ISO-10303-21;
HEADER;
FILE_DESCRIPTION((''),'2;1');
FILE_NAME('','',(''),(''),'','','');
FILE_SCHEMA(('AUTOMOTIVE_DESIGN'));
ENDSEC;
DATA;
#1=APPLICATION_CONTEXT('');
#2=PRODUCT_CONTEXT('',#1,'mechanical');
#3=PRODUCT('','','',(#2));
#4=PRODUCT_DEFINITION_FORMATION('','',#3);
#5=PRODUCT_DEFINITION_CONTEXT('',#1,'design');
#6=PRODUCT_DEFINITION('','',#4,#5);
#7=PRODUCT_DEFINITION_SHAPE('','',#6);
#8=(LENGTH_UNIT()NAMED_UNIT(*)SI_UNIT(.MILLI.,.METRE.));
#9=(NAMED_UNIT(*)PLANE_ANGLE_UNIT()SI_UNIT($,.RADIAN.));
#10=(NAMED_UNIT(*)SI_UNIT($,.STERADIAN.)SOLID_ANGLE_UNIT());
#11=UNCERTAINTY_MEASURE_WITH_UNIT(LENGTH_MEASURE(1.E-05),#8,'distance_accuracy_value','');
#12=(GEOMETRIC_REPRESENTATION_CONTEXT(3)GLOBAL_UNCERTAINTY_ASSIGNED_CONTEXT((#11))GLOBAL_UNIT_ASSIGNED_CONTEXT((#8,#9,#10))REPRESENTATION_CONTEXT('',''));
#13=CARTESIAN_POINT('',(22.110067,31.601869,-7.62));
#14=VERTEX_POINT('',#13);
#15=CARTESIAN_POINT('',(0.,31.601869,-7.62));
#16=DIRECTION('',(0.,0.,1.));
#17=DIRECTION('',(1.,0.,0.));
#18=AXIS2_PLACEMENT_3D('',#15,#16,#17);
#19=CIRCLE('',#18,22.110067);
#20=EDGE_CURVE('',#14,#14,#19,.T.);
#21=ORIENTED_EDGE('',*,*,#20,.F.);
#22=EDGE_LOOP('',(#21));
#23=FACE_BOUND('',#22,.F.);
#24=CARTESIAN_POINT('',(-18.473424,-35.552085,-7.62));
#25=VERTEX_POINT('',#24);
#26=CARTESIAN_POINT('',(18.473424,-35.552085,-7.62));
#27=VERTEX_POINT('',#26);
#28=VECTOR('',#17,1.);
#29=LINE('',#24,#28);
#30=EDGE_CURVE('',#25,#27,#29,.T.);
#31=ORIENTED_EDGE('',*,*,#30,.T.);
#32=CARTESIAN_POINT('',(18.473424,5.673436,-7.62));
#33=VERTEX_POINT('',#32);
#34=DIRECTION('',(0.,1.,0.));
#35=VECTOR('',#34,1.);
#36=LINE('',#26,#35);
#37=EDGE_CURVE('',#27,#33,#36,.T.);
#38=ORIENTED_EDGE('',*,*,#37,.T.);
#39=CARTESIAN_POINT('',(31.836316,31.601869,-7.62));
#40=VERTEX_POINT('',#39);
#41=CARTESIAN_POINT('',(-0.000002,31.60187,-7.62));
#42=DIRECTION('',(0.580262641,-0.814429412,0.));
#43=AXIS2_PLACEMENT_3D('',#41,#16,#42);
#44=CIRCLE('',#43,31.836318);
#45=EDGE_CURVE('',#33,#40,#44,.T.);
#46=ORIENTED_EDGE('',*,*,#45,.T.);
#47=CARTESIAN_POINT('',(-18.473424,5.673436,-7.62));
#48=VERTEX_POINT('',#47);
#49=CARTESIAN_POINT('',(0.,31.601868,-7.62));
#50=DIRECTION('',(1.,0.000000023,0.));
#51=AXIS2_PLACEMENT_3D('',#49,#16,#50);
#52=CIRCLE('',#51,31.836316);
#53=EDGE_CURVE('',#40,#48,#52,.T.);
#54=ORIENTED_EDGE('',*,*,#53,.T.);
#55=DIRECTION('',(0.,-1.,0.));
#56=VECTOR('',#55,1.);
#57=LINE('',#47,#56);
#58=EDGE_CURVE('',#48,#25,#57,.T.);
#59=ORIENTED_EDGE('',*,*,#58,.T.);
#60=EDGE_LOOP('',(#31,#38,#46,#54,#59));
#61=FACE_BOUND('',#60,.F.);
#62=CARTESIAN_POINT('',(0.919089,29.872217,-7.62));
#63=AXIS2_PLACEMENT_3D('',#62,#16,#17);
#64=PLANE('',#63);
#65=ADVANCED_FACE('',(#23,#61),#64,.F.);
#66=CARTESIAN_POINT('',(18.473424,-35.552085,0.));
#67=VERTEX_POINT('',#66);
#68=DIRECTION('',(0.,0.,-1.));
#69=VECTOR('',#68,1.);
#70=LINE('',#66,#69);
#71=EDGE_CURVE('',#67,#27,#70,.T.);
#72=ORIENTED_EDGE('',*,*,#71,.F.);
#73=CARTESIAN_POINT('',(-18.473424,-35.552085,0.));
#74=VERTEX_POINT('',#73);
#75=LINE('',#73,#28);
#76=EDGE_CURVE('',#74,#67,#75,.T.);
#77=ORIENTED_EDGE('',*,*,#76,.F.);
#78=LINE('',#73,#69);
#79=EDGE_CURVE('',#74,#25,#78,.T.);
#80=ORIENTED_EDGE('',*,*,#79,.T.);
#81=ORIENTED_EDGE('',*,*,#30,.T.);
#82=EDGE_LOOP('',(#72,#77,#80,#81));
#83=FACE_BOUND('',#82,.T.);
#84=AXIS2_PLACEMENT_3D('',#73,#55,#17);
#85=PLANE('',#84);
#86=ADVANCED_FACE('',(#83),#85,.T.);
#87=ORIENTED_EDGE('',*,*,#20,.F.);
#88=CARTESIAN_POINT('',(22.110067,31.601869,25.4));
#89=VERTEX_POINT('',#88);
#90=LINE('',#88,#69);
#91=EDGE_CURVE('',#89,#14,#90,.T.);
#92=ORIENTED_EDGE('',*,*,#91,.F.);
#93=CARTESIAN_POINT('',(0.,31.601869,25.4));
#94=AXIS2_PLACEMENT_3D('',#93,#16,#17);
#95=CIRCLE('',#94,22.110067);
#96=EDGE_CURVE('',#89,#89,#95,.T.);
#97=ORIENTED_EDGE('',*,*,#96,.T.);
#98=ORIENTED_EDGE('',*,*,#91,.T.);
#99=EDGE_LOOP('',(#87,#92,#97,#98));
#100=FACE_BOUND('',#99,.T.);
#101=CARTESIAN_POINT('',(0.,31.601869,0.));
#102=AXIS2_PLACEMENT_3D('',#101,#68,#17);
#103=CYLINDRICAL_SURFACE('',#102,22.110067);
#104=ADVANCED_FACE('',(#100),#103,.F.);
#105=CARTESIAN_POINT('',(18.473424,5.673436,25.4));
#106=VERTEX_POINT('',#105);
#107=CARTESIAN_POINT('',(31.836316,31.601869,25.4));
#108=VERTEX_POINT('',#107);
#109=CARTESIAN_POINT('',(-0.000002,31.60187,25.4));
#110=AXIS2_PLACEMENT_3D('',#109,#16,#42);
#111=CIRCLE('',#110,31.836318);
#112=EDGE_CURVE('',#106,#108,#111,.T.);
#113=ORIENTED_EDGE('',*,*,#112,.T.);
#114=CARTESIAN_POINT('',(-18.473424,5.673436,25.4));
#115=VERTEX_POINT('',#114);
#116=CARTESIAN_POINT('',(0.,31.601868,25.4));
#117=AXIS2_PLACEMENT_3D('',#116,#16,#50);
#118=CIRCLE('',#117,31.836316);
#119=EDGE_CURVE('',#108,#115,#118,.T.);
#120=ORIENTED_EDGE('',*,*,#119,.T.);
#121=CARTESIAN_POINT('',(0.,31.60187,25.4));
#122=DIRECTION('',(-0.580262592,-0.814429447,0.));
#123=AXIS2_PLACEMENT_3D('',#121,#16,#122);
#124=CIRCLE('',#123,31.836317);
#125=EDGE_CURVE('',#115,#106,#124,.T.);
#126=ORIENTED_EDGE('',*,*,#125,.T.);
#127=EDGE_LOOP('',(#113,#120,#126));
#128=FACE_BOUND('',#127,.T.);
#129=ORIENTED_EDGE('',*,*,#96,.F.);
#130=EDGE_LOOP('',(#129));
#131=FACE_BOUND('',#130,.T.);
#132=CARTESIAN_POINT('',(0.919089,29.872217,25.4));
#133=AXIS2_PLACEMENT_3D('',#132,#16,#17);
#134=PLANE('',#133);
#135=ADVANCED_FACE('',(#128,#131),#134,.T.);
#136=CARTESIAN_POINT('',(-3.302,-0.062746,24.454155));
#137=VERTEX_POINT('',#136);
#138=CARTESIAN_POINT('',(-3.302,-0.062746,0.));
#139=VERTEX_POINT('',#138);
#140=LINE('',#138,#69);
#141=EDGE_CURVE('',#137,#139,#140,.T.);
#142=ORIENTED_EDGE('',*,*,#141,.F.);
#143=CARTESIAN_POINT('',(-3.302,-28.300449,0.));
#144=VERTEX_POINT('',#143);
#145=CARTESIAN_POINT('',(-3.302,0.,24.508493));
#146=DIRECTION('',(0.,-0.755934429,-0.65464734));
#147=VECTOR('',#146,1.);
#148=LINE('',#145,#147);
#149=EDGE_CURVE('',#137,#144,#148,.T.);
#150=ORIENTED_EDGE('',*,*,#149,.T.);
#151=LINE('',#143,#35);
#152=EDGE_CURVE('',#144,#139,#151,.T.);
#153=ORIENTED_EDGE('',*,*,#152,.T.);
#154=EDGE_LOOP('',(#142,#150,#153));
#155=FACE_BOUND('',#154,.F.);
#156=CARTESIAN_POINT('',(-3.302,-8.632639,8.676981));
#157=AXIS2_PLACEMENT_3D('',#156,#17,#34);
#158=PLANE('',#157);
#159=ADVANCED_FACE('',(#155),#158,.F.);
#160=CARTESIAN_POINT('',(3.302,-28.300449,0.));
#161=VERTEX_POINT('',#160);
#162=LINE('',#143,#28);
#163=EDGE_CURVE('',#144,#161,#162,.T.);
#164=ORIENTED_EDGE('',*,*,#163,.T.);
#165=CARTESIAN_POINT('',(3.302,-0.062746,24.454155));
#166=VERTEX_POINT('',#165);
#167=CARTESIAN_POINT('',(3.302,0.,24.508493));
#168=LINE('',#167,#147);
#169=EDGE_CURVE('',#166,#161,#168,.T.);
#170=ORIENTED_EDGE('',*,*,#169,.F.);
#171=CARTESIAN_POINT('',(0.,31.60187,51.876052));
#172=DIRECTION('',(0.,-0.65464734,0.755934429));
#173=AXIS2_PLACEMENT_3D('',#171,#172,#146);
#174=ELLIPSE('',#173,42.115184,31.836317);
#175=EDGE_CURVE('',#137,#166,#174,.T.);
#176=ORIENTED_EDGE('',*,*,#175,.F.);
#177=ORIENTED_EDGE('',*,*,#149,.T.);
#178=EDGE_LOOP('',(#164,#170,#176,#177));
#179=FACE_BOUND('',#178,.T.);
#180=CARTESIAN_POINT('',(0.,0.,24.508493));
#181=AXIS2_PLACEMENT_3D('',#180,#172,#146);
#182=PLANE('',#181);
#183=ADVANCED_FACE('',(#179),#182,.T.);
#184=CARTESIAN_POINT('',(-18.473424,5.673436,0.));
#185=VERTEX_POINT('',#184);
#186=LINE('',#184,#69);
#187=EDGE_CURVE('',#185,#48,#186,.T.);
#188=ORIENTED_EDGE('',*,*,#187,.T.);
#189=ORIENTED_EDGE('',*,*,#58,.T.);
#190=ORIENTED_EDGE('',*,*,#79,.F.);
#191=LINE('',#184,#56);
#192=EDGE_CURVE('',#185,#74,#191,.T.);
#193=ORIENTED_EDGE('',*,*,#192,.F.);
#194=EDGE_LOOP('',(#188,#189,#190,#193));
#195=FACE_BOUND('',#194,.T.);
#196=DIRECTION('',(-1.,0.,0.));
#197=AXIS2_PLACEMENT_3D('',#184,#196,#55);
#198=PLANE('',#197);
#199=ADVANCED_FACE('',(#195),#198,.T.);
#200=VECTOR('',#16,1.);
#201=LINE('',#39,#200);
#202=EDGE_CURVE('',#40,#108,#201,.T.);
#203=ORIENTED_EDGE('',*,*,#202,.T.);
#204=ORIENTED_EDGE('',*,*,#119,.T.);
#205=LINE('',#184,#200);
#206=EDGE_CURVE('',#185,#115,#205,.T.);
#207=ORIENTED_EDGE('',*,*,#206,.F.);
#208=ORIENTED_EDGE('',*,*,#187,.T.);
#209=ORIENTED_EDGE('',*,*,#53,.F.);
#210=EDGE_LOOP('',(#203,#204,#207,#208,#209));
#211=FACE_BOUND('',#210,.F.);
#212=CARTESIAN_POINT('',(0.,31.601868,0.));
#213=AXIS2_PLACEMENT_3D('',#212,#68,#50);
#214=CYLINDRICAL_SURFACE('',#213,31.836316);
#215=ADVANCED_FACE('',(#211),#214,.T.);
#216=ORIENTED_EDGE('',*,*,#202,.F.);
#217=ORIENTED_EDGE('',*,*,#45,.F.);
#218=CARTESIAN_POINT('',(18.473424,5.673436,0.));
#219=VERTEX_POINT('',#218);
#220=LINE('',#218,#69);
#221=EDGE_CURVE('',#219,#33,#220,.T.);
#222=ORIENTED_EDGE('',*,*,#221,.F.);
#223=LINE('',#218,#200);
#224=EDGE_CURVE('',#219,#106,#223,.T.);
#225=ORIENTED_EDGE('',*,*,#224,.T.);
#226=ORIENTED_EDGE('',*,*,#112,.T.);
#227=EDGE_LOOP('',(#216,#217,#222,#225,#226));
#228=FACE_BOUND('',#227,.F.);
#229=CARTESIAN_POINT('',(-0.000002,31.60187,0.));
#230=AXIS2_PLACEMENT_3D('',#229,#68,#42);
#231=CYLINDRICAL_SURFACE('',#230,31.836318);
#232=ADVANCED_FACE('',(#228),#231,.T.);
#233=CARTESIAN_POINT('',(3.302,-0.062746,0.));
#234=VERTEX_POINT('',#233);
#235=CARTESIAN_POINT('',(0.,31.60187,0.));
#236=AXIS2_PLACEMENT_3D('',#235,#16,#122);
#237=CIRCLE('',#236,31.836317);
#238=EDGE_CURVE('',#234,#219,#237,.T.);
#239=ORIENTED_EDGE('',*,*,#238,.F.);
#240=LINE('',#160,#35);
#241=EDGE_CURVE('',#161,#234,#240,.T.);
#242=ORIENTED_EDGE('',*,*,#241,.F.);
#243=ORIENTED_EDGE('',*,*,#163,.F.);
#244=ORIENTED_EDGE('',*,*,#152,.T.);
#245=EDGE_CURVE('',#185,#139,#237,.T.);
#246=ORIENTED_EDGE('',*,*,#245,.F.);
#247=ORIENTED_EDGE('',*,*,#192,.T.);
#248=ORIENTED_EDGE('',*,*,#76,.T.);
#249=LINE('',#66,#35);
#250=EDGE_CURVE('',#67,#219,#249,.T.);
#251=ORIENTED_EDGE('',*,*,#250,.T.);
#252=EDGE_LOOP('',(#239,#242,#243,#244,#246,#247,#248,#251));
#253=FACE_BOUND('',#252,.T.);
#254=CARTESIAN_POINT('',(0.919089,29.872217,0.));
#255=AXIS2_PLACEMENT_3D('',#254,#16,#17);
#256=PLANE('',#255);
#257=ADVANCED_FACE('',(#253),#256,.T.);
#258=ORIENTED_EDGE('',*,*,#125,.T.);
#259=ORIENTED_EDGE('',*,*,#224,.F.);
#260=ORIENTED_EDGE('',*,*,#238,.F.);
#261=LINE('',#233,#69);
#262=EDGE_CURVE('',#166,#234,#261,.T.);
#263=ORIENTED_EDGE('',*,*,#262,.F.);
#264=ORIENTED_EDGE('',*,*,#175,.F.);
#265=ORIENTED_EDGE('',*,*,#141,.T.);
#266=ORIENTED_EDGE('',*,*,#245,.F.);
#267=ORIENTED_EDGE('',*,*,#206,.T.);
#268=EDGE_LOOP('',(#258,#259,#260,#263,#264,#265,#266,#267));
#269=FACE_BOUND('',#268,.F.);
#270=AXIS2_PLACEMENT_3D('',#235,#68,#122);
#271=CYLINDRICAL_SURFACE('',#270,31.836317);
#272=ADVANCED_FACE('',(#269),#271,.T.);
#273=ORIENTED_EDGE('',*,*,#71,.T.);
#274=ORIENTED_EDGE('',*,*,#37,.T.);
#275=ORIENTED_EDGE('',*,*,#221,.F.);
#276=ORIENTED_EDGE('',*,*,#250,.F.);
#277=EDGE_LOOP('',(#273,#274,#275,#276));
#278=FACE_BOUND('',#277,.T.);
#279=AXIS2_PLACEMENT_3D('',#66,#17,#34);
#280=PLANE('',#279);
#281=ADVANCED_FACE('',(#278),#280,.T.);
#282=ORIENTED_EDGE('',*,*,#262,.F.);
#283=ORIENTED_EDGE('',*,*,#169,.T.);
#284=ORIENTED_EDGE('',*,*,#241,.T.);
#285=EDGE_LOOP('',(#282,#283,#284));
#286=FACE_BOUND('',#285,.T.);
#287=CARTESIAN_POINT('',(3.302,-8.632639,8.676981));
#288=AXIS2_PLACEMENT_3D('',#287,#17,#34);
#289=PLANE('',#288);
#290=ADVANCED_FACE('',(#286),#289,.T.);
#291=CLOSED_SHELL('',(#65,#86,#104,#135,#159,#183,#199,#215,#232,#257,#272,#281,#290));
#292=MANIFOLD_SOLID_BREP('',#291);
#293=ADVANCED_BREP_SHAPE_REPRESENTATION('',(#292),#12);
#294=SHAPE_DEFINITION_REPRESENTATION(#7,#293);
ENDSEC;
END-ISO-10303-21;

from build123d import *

# Parameters (mm, degrees)
F0_R     = 22.110067
F1_DEPTH = 7.62
F2_DEPTH = 25.4
F4_DEPTH = 3.302


with BuildPart() as f1:
    # F0 (on Top) → F1 (new body)
    with BuildSketch(Plane.XY):
        with BuildLine():
            ThreePointArc((18.473424, 5.673436), (28.299088, 17.017198), (31.836316, 31.601869))
            ThreePointArc((31.836316, 31.601869), (-14.584671, 59.900956), (-18.473424, 5.673436))
            ThreePointArc((-18.473424, 5.673436), (0, -0.234447), (18.473424, 5.673436))
        make_face()
        with Locations((0, 31.601869)):
            Circle(F0_R, mode=Mode.SUBTRACT)
        with BuildLine():
            ThreePointArc((18.473424, 5.673436), (0, -0.234447), (-18.473424, 5.673436))
            Line((-18.473424, 5.673436), (-18.473424, -35.552085))
            Line((-18.473424, -35.552085), (0, -35.552085))
            Line((0, -35.552085), (18.473424, -35.552085))
            Line((18.473424, -35.552085), (18.473424, 5.673436))
        make_face()
    extrude(amount=-F1_DEPTH)

    # F0 (on Top) → F2 (join)
    with BuildSketch(Plane.XY):
        with BuildLine():
            ThreePointArc((18.473424, 5.673436), (28.299088, 17.017198), (31.836316, 31.601869))
            ThreePointArc((31.836316, 31.601869), (-14.584671, 59.900956), (-18.473424, 5.673436))
            ThreePointArc((-18.473424, 5.673436), (0, -0.234447), (18.473424, 5.673436))
        make_face()
        with Locations((0, 31.601869)):
            Circle(F0_R, mode=Mode.SUBTRACT)
    extrude(amount=F2_DEPTH)

    # F3 (on Right) → F4 (join, symmetric)
    with BuildSketch(Plane.YZ):
        Polygon((0, 24.508493), (-28.300449, 0), (3.349552, 0), (3.349552, 24.508493), align=None)
    extrude(amount=F4_DEPTH, both=True)


solid = f1.part
